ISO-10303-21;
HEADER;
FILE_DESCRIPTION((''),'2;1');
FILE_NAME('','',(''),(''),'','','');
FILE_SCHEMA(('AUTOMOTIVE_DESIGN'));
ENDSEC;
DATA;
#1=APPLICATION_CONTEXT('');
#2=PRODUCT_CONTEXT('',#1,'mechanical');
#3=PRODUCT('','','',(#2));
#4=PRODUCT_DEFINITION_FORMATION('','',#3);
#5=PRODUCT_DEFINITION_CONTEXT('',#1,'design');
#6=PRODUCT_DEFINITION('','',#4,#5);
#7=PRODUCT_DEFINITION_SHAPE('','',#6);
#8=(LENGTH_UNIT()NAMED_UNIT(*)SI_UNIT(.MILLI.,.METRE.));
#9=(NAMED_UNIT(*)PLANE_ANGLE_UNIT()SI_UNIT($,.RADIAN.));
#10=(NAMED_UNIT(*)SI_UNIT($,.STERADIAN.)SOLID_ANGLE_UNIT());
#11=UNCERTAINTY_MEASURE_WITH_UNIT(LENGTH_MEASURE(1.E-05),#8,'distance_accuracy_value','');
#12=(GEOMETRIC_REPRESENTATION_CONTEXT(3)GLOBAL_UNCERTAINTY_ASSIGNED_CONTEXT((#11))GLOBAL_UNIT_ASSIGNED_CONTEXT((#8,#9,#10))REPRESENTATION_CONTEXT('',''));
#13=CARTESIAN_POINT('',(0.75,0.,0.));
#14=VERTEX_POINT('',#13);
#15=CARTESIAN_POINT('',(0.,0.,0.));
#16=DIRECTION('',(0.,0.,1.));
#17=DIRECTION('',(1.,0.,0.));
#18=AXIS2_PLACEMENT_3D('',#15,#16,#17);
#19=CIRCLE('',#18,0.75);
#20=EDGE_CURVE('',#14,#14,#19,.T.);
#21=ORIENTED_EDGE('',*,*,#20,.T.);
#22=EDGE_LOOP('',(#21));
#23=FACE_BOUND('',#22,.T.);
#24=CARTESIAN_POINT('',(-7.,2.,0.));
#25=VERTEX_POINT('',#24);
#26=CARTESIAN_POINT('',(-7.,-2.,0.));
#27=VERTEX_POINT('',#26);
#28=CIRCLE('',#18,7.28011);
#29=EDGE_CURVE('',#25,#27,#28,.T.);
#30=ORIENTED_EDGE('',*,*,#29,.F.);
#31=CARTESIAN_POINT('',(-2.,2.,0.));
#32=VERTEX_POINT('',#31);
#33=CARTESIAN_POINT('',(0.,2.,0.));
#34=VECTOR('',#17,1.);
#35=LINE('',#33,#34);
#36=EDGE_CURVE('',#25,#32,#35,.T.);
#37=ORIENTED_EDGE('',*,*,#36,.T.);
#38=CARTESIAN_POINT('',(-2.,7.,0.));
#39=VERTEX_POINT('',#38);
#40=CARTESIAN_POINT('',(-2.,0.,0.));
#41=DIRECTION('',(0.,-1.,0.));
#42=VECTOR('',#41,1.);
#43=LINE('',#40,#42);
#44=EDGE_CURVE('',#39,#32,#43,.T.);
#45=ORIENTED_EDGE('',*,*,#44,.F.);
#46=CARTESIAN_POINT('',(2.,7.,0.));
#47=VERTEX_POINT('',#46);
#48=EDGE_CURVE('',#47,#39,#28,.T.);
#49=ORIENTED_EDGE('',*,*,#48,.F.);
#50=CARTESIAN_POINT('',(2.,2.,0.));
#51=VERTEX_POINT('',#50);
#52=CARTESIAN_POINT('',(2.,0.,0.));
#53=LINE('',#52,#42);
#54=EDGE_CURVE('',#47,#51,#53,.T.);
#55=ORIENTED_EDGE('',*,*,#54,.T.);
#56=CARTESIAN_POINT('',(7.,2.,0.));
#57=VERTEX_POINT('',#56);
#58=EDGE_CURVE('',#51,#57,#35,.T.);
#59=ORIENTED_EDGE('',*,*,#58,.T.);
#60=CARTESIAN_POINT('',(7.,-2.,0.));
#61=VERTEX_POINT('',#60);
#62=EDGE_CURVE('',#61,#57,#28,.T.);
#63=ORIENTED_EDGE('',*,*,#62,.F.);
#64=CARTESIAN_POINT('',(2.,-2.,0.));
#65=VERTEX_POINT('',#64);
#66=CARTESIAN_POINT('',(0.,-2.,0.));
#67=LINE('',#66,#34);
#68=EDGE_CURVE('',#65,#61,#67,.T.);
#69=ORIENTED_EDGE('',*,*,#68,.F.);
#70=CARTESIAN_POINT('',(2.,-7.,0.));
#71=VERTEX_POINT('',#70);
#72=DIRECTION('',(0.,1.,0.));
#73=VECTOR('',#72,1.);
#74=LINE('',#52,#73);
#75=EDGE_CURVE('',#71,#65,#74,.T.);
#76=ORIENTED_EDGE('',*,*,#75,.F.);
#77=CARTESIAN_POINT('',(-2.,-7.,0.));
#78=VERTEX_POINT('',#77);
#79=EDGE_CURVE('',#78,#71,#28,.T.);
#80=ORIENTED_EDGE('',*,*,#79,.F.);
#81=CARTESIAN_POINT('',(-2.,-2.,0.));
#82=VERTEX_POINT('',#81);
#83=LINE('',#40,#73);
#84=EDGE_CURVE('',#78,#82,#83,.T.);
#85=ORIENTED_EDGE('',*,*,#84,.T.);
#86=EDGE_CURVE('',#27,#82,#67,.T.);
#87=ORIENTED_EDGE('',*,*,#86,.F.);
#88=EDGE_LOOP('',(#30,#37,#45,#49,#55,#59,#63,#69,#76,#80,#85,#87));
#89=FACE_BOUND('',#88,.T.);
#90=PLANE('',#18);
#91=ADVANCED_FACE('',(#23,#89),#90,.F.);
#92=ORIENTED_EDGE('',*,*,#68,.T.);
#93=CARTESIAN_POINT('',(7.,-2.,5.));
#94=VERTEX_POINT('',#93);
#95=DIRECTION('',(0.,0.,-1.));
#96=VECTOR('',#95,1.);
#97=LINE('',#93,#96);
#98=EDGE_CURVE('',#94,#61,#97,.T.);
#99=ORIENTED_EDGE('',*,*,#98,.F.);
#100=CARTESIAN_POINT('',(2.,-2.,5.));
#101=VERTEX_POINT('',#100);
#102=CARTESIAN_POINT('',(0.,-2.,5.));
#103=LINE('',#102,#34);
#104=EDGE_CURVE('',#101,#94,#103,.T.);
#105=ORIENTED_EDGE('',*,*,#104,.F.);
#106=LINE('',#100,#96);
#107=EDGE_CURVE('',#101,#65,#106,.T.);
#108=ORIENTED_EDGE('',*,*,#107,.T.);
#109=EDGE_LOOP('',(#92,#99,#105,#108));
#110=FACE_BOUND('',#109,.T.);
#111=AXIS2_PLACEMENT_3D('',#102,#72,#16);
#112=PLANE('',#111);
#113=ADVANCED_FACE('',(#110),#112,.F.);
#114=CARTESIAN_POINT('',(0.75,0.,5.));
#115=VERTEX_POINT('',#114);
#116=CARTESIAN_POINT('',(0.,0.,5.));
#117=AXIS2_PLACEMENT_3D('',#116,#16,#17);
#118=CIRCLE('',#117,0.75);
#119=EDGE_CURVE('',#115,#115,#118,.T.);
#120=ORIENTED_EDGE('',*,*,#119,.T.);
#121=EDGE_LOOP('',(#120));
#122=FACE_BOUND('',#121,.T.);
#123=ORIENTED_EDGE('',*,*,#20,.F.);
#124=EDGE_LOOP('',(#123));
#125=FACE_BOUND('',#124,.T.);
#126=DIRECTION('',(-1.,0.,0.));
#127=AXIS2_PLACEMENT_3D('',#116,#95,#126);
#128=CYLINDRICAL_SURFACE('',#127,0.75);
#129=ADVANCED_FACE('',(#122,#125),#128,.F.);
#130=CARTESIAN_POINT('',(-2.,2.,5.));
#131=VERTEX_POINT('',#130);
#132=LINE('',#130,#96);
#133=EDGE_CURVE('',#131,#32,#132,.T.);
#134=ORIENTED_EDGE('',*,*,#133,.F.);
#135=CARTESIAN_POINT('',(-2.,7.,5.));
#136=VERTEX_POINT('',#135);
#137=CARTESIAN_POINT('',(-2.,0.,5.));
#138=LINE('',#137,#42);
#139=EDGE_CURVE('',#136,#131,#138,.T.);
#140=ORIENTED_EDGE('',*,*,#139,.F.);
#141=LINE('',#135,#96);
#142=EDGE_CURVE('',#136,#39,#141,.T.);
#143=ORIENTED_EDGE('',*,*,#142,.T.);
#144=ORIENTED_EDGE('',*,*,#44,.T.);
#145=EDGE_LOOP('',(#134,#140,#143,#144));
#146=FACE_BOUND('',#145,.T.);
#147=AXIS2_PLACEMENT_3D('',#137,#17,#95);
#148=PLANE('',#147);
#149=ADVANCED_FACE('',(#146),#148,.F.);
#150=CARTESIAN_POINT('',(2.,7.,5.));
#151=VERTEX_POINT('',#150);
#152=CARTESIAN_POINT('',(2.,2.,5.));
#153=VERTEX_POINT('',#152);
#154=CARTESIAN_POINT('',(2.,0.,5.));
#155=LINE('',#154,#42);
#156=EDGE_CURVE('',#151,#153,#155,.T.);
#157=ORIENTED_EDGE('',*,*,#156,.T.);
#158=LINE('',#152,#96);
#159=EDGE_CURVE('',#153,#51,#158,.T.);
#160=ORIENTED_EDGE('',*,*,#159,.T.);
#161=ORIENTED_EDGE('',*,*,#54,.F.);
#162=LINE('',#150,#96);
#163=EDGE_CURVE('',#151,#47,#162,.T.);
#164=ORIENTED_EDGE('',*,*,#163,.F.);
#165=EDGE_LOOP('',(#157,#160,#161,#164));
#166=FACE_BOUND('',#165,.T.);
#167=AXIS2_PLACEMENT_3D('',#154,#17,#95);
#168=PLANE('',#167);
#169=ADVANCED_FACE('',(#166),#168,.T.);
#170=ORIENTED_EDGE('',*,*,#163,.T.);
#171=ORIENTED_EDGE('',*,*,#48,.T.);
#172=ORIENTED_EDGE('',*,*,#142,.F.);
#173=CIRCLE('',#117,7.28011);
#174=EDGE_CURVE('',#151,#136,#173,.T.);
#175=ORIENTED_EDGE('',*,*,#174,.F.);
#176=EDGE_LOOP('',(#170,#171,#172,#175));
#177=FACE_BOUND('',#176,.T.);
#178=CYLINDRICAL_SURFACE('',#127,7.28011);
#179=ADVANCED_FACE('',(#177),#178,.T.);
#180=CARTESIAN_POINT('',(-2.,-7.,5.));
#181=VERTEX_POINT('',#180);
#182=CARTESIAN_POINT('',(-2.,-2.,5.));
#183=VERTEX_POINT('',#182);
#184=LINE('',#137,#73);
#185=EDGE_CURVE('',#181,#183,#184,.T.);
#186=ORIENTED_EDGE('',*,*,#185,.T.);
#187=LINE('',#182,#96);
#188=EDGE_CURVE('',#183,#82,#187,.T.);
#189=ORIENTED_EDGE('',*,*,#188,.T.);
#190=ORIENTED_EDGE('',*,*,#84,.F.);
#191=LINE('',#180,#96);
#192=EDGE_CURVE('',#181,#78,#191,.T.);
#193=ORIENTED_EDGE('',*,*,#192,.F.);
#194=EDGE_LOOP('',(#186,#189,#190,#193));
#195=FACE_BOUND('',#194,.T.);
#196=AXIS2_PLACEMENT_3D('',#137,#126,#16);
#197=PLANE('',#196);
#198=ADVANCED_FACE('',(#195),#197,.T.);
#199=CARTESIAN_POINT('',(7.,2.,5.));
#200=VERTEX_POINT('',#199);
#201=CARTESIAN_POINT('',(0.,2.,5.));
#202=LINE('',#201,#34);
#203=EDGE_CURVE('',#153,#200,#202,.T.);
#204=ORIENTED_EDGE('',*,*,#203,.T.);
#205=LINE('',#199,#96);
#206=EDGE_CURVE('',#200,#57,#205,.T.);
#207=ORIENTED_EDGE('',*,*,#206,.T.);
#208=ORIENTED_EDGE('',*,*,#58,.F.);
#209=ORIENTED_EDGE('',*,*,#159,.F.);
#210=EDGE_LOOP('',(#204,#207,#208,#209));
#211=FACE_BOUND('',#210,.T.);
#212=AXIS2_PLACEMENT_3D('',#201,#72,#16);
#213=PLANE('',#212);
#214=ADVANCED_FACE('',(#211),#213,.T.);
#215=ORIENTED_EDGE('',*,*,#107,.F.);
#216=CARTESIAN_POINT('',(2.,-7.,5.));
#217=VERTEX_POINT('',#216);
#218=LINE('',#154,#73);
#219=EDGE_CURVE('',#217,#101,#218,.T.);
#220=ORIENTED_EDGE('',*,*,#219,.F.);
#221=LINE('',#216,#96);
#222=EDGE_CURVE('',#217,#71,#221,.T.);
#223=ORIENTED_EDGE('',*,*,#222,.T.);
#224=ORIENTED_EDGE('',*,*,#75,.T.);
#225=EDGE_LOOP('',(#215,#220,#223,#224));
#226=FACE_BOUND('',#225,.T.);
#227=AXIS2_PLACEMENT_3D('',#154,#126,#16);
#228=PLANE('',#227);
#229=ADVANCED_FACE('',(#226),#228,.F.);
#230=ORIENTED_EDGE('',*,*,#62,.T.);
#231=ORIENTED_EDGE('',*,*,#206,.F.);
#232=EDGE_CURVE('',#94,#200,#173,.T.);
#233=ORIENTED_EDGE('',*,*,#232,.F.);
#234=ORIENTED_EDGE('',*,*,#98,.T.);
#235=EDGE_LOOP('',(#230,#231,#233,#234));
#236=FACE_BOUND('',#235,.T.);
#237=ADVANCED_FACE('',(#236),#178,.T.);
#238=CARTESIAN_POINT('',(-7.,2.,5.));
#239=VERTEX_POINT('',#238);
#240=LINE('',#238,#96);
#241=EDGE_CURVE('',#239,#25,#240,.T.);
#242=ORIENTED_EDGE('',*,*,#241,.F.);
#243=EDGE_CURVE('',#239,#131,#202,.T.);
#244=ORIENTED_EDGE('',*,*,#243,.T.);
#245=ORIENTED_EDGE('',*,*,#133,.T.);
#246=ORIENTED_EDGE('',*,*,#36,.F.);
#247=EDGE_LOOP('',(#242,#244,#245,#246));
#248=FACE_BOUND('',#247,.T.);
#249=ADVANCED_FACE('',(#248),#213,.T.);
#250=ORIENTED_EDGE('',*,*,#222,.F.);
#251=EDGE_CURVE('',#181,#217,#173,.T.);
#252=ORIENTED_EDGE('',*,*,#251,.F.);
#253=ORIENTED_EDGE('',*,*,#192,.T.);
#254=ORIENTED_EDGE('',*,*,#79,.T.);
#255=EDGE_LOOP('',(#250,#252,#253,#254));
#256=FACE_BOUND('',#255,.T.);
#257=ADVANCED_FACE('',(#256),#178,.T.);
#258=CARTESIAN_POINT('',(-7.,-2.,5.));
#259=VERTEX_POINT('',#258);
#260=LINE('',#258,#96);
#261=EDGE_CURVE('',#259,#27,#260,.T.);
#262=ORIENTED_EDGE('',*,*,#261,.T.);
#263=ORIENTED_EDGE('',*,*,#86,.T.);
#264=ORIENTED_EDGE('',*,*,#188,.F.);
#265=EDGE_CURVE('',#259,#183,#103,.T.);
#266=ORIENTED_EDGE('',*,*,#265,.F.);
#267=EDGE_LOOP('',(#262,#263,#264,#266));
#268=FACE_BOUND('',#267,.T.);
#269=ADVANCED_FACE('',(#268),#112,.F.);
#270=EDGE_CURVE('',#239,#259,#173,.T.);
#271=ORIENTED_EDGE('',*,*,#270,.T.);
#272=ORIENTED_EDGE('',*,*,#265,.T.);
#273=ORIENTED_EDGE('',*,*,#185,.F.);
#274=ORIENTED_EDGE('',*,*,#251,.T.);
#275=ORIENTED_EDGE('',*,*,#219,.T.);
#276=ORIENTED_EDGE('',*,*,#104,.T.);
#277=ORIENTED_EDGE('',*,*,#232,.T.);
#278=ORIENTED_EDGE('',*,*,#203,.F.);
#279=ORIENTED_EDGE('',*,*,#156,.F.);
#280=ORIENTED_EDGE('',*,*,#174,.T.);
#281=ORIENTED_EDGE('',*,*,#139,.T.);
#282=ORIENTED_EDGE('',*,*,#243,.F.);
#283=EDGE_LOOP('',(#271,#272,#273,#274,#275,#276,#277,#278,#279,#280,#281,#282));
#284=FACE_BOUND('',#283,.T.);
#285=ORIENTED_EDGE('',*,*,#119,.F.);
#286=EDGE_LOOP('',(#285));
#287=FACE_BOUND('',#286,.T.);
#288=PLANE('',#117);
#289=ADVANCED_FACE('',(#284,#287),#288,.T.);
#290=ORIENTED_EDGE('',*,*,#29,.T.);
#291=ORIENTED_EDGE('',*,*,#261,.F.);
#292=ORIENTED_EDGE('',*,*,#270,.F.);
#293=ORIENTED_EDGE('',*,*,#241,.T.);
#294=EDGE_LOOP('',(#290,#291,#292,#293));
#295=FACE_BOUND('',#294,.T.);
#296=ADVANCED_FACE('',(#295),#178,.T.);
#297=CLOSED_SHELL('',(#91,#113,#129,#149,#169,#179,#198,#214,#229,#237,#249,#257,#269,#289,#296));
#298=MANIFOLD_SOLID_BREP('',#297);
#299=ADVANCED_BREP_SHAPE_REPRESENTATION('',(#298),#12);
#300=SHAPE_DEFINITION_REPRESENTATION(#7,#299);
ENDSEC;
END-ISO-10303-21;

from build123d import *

# Parameters (mm, degrees)
SKETCH1_R           = 0.75
BOSS_EXTRUDE1_DEPTH = 5


with BuildPart() as part:
    # Sketch1 → Boss-Extrude1 (new body)
    # profile 1 of 5: a face of its own
    with BuildSketch(Plane.XY):
        with BuildLine():
            Line((-7, -2), (-2, -2))
            Line((-2, -2), (-2, 0))
            Line((-2, 0), (-2, 2))
            Line((-2, 2), (-7, 2))
            ThreePointArc((-7, 2), (-7.280109889, 0), (-7, -2))
        make_face()
    # profile 2 of 5: a face of its own
    with BuildSketch(Plane.XY):
        with BuildLine():
            Line((0, 2), (2, 2))
            Line((2, 2), (2, 7))
            ThreePointArc((2, 7), (0, 7.280109889), (-2, 7))
            Line((-2, 7), (-2, 2))
            Line((-2, 2), (0, 2))
        make_face()
    # profile 3 of 5: a face of its own
    with BuildSketch(Plane.XY):
        Polygon((-2, -2), (0, -2), (2, -2), (2, 0), (2, 2), (0, 2), (-2, 2), (-2, 0), align=None)
        Circle(SKETCH1_R, mode=Mode.SUBTRACT)
    # profile 4 of 5: a face of its own
    with BuildSketch(Plane.XY):
        with BuildLine():
            Line((2, -2), (0, -2))
            Line((0, -2), (-2, -2))
            Line((-2, -2), (-2, -7))
            ThreePointArc((-2, -7), (0, -7.280109889), (2, -7))
            Line((2, -7), (2, -2))
        make_face()
    # profile 5 of 5: a face of its own
    with BuildSketch(Plane.XY):
        with BuildLine():
            Line((2, 0), (2, -2))
            Line((2, -2), (7, -2))
            ThreePointArc((7, -2), (7.20974234, -1.009760064), (7.280109889, 0))
            ThreePointArc((7.280109889, 0), (7.20974234, 1.009760064), (7, 2))
            Line((7, 2), (2, 2))
            Line((2, 2), (2, 0))
        make_face()
    extrude(amount=BOSS_EXTRUDE1_DEPTH)


solid = part.part
